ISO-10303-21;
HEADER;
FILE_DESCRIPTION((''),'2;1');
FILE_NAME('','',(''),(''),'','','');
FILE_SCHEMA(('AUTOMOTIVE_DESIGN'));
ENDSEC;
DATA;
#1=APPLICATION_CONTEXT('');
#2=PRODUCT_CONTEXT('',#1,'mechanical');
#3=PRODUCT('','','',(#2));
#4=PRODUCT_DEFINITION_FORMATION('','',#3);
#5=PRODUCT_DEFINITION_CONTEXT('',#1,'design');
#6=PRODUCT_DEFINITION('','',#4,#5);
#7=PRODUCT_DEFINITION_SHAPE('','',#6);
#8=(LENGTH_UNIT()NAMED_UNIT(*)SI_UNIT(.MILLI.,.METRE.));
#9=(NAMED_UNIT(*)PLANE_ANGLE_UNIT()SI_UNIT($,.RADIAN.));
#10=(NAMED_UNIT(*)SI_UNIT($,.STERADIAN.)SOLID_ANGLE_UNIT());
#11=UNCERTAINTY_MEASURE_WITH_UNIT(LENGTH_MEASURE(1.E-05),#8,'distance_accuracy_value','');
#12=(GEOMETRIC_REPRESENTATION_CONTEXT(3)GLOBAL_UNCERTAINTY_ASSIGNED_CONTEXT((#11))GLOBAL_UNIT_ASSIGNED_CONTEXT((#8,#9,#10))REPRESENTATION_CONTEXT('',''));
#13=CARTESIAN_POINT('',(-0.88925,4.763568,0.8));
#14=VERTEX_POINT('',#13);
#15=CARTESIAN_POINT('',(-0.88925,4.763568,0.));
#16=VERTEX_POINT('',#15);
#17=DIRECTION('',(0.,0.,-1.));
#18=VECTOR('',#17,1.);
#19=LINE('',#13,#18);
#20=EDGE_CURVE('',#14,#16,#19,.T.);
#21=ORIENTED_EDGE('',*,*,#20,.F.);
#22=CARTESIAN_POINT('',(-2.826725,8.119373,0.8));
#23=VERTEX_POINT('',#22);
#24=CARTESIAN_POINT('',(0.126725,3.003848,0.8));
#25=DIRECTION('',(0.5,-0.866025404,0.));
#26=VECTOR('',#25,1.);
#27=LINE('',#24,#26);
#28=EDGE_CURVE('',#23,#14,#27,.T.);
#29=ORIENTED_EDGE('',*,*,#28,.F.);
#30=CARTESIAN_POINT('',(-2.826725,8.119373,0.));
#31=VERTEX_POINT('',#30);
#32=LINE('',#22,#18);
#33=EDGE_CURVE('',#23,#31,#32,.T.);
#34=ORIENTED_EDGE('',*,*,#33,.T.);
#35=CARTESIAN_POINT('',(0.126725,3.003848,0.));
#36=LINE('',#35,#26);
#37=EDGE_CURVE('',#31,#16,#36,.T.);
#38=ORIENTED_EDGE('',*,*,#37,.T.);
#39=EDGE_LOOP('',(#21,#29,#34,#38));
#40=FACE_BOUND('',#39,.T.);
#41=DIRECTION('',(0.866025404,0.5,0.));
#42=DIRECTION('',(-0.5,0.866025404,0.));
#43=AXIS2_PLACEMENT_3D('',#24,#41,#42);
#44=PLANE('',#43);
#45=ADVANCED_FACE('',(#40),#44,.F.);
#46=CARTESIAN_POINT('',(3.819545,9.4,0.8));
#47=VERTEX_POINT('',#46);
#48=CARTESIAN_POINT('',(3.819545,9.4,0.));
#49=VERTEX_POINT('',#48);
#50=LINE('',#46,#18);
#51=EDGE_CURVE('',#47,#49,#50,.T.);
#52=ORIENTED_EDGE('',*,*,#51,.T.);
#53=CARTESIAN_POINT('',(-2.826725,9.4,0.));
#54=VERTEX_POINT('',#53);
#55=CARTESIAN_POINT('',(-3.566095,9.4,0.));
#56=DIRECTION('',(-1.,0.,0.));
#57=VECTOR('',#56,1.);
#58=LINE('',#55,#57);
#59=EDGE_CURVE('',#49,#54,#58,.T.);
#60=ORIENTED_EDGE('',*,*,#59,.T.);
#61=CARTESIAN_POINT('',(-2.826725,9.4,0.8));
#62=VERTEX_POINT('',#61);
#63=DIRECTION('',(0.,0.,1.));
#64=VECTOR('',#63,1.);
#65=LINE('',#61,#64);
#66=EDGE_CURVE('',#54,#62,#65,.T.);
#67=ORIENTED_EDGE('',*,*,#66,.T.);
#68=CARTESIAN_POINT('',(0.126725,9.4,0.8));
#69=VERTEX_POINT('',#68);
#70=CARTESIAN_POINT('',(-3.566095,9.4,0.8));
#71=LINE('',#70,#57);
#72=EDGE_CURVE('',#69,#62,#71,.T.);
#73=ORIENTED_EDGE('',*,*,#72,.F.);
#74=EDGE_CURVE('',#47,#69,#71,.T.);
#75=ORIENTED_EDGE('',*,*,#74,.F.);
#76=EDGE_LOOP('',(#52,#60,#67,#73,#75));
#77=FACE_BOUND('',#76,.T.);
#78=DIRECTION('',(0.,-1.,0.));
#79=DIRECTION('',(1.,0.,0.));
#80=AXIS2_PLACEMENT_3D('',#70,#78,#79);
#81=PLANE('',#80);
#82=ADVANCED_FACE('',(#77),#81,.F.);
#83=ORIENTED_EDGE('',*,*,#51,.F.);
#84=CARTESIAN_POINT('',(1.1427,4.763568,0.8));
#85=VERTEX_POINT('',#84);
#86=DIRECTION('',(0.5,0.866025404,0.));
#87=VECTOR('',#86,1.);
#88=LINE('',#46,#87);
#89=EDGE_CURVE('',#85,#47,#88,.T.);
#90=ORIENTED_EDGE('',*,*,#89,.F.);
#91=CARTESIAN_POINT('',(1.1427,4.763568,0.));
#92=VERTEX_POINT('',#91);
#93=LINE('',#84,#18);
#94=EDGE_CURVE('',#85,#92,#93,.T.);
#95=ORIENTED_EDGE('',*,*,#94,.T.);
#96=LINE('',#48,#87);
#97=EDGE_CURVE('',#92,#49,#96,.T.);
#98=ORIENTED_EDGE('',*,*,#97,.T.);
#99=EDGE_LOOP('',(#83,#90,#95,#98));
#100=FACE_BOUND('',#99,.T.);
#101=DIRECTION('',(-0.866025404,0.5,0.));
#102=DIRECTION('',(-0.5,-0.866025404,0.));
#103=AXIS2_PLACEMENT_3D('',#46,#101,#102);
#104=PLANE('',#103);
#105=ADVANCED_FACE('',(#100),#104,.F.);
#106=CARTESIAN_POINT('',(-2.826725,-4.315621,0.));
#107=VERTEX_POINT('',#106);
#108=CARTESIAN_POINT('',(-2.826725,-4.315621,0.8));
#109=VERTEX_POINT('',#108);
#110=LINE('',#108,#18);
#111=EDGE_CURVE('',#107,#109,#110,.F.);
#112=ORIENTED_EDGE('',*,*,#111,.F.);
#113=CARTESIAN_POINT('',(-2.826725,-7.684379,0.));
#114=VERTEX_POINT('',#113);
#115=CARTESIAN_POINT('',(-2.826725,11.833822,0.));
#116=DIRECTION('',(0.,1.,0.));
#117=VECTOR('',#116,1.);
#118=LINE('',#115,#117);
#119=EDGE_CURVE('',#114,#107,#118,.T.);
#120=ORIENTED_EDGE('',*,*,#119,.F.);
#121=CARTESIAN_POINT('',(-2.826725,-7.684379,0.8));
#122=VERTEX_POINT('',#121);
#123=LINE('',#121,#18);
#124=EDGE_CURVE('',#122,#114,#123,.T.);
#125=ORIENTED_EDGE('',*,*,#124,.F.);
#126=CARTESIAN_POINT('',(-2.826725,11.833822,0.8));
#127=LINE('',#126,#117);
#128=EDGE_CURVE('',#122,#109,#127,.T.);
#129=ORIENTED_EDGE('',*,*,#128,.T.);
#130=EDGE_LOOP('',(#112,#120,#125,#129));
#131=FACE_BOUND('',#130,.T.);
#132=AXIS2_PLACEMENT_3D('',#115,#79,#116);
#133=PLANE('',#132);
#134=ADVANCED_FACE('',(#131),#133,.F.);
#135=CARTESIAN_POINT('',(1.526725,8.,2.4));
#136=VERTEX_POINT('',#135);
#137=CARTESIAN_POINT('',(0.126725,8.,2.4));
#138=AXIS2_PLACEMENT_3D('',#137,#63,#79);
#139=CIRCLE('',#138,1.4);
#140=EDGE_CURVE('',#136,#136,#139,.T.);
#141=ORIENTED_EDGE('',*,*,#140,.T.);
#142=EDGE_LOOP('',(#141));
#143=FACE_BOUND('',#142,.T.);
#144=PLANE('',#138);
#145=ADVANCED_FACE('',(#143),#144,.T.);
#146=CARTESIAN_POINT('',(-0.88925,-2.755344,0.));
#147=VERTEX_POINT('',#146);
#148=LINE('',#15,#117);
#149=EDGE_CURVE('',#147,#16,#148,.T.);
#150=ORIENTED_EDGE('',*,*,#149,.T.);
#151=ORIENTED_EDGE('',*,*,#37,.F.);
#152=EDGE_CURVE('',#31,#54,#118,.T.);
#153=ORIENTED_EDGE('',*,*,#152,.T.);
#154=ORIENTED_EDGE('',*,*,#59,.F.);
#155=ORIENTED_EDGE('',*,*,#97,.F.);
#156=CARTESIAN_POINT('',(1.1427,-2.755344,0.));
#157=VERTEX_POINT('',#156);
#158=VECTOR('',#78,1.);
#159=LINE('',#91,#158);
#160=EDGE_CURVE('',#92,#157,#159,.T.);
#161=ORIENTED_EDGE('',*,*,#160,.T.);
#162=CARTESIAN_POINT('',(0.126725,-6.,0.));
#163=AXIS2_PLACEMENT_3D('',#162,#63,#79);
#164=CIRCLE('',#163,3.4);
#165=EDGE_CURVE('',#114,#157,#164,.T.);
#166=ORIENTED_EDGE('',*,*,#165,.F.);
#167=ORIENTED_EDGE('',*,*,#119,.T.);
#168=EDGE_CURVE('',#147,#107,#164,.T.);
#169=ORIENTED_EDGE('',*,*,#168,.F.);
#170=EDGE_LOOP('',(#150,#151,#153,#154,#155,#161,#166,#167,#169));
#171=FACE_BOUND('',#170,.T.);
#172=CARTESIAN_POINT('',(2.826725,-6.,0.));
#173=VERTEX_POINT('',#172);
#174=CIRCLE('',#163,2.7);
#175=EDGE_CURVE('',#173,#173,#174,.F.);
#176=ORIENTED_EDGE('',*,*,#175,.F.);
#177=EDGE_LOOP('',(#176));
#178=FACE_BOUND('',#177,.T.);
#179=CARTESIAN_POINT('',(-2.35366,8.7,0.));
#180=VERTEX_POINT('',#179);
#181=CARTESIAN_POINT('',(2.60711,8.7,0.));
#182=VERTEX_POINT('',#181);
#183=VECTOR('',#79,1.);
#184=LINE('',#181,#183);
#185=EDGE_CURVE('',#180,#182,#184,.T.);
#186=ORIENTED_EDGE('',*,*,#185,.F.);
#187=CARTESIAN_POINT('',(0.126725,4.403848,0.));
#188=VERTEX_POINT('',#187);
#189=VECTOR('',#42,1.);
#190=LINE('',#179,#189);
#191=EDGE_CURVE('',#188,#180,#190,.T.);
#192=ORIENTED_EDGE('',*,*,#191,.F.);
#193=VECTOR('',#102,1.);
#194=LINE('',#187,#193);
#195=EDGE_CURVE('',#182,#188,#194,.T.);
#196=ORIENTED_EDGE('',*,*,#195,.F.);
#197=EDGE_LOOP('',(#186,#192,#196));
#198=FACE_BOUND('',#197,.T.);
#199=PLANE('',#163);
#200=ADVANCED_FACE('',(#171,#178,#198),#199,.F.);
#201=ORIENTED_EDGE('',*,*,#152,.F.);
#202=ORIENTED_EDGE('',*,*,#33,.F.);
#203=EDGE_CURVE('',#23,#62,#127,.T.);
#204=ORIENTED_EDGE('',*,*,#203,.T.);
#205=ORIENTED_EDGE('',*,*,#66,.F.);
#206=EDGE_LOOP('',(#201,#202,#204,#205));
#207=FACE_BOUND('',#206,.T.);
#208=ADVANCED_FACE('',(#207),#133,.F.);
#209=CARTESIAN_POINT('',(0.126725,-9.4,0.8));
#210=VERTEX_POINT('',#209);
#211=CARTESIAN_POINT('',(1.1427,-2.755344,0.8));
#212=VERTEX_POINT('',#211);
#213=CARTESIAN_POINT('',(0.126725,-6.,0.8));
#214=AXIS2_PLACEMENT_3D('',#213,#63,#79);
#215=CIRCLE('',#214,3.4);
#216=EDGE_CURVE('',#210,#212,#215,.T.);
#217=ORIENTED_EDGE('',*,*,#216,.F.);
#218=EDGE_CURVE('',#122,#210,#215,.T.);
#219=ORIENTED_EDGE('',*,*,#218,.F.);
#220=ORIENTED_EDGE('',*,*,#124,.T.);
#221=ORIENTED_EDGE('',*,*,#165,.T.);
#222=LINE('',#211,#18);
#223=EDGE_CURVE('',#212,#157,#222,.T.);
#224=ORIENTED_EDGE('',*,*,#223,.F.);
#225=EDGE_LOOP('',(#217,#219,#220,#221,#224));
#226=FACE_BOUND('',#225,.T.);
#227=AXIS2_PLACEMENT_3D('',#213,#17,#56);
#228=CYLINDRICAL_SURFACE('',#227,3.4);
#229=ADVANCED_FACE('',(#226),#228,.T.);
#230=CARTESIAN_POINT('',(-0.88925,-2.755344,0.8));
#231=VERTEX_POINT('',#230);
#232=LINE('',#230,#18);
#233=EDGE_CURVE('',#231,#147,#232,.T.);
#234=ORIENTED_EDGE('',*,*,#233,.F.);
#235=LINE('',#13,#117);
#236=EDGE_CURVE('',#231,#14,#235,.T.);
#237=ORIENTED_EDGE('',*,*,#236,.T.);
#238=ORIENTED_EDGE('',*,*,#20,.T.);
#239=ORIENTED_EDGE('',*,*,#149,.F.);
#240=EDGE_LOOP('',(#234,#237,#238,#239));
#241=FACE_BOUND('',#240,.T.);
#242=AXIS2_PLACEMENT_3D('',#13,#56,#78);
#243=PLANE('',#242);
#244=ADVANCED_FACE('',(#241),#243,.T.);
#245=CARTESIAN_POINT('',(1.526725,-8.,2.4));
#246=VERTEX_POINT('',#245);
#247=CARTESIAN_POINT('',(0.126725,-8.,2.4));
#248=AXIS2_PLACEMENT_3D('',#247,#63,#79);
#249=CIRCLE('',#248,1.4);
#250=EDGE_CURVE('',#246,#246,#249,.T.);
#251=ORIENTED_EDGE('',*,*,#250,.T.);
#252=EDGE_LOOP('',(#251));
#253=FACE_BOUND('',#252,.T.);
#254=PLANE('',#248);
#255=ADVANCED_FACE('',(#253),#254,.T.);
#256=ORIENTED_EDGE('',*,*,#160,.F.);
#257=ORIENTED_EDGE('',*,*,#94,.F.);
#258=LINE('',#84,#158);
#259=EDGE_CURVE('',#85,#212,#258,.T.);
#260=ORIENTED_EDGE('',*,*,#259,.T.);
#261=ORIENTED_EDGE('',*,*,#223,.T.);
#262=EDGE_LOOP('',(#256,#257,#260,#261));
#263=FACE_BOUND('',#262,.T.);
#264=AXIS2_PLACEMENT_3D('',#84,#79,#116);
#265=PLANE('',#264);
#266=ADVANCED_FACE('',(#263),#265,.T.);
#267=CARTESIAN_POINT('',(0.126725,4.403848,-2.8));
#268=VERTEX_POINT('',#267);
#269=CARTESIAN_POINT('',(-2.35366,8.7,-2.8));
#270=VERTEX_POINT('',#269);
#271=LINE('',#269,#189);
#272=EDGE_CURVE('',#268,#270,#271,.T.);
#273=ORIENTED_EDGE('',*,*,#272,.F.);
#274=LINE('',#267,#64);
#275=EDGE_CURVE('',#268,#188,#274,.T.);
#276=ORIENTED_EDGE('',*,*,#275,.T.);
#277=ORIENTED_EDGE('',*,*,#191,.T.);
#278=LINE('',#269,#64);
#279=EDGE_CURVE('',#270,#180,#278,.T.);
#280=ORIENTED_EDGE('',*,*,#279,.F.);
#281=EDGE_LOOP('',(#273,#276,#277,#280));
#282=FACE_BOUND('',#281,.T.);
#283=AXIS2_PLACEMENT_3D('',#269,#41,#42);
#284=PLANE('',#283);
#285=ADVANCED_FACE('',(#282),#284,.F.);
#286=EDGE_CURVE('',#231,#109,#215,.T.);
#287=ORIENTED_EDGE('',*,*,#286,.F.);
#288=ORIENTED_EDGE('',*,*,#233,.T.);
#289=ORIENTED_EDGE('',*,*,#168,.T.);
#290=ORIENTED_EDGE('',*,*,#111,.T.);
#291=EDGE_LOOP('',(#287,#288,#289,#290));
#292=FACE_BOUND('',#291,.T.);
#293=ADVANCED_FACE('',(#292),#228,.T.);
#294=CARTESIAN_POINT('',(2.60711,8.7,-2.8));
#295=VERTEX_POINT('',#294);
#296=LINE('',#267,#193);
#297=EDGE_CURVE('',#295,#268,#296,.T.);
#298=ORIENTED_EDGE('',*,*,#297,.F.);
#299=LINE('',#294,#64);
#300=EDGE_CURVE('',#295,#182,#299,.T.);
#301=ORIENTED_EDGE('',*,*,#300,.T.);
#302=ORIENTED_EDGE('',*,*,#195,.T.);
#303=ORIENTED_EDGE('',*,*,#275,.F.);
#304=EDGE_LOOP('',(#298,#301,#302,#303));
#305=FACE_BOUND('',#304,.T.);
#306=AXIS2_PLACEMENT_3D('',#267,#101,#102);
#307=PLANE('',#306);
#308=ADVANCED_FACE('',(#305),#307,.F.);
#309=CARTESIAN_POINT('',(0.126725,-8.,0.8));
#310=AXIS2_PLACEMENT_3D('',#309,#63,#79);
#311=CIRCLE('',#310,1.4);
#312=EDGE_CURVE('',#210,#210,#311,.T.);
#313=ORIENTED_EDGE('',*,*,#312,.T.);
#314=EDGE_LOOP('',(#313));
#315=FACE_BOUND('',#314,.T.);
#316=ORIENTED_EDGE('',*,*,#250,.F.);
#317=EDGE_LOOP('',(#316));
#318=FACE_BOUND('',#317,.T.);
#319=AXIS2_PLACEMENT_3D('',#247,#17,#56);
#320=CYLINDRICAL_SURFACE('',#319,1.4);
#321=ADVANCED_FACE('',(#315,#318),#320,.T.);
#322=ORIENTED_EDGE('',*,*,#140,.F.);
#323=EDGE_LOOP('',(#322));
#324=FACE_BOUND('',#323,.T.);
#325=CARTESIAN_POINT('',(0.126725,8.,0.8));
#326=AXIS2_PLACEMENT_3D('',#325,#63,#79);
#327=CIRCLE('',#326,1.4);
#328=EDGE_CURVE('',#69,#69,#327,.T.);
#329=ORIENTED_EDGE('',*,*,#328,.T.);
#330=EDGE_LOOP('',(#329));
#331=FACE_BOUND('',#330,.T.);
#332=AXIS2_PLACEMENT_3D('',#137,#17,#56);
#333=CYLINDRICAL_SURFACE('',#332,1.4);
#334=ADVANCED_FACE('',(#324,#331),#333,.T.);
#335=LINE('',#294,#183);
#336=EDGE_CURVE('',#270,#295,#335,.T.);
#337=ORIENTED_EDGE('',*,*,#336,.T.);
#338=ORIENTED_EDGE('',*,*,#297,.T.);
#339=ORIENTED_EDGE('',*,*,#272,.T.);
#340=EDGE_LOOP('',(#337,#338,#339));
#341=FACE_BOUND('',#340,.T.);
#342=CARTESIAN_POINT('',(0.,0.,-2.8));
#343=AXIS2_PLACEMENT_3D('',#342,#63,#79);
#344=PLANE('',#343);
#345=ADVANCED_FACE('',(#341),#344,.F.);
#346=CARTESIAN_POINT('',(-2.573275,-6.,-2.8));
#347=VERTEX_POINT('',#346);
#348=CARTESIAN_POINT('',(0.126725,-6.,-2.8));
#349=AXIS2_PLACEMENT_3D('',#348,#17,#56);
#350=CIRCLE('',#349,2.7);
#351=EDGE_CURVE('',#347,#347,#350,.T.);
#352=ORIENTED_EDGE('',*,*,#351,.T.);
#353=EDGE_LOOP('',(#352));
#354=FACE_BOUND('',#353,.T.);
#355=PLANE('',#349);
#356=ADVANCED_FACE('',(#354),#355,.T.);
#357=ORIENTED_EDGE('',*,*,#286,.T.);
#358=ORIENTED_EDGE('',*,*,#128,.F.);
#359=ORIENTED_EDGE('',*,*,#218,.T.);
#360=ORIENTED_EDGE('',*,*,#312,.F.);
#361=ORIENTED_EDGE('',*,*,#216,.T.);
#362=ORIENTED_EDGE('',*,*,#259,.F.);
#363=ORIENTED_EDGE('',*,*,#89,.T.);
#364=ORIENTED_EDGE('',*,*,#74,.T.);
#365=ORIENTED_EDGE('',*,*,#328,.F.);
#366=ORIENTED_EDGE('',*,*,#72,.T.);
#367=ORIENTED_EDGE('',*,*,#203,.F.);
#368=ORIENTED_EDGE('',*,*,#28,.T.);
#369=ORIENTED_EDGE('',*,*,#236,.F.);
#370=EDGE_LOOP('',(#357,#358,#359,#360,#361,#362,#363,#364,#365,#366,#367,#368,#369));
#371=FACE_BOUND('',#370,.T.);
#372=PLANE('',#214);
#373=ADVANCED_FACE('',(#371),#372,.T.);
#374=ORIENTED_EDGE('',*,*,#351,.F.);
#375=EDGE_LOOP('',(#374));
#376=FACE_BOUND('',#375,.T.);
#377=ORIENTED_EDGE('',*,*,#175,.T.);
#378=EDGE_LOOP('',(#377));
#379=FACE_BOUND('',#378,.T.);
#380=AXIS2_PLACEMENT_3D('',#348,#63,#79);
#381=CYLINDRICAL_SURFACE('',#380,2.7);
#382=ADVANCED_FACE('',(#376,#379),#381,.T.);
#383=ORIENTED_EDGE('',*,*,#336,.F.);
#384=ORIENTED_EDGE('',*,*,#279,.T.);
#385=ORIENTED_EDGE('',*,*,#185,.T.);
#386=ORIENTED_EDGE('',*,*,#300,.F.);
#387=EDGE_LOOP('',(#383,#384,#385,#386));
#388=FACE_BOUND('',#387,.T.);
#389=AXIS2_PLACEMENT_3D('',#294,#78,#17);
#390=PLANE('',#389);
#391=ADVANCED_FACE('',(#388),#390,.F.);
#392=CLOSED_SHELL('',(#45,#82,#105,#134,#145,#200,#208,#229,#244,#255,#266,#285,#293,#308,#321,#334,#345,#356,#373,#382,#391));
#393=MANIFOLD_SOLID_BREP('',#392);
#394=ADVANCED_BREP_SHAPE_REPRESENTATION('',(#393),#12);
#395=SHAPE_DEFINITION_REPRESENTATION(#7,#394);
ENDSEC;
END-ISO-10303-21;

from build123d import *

# Parameters (mm, degrees)
SKETCH_5_R          = 3.4
EXTRUDE_2_DEPTH     = 0.8
EXTRUDE_2_2_DEPTH   = 0.8
SKETCH_6_W          = 2.031950572
SKETCH_6_H          = 7.518912136
EXTRUDE_3_DEPTH     = 0.8
SKETCH_7_R          = 2.7
EXTRUDE_4_DEPTH     = 2.8
SKETCH_8_R          = 1.4
EXTRUDE_5_DEPTH     = 1.6
SKETCH_9_W          = 4.279769968
SKETCH_9_H          = 23.306699104
CUT_EXTRUDE_1_DEPTH = 0.8


with BuildPart() as part:
    # Эскиз5 → Бобышка-Вытянуть2 (new body)
    with BuildSketch(Plane.XY):
        with Locations((0.12672506, -6)):
            Circle(SKETCH_5_R)
    extrude(amount=EXTRUDE_2_DEPTH)



with BuildPart() as body_2:
    # Эскиз5 → Extrude 2 2 (new body)
    with BuildSketch(Plane.XY):
        Polygon((-3.566095263, 9.4), (3.819545383, 9.4), (0.12672506, 3.003847577), align=None)
    extrude(amount=EXTRUDE_2_2_DEPTH)


with BuildPart() as part_1:
    add(part.part)

    add(body_2.part)  # Бобышка-Вытянуть3 merges body 2
    # Эскиз6 → Бобышка-Вытянуть3 (add)
    with BuildSketch(Plane(origin=(0, 0, 0), x_dir=(-1, 0, 0), z_dir=(0, 0, -1))):
        with Locations((-0.12672506, 1.004112324)):
            Rectangle(SKETCH_6_W, SKETCH_6_H)
    extrude(amount=-EXTRUDE_3_DEPTH)

    # Эскиз7 → Бобышка-Вытянуть4 (add)
    with BuildSketch(Plane(origin=(0, 0, 0), x_dir=(-1, 0, 0), z_dir=(0, 0, -1))):
        with Locations((-0.12672506, -6)):
            Circle(SKETCH_7_R)
        Polygon((-2.607109818, 8.7), (2.353659698, 8.7), (-0.12672506, 4.403847577), align=None)
    extrude(amount=EXTRUDE_4_DEPTH)

    # Эскиз8 → Бобышка-Вытянуть5 (add)
    with BuildSketch(Plane.XY.offset(0.8)):
        with Locations((0.12672506, 8)):
            Circle(SKETCH_8_R)
        with Locations((0.12672506, -8)):
            Circle(SKETCH_8_R)
    extrude(amount=EXTRUDE_5_DEPTH)

    # Эскиз9 → Вырез-Вытянуть1 (cut)
    with BuildSketch(Plane.XY.offset(0.8)):
        with Locations((-4.966610044, 0.180472228)):
            Rectangle(SKETCH_9_W, SKETCH_9_H)
    extrude(amount=-CUT_EXTRUDE_1_DEPTH, mode=Mode.SUBTRACT)


solid = part_1.part
